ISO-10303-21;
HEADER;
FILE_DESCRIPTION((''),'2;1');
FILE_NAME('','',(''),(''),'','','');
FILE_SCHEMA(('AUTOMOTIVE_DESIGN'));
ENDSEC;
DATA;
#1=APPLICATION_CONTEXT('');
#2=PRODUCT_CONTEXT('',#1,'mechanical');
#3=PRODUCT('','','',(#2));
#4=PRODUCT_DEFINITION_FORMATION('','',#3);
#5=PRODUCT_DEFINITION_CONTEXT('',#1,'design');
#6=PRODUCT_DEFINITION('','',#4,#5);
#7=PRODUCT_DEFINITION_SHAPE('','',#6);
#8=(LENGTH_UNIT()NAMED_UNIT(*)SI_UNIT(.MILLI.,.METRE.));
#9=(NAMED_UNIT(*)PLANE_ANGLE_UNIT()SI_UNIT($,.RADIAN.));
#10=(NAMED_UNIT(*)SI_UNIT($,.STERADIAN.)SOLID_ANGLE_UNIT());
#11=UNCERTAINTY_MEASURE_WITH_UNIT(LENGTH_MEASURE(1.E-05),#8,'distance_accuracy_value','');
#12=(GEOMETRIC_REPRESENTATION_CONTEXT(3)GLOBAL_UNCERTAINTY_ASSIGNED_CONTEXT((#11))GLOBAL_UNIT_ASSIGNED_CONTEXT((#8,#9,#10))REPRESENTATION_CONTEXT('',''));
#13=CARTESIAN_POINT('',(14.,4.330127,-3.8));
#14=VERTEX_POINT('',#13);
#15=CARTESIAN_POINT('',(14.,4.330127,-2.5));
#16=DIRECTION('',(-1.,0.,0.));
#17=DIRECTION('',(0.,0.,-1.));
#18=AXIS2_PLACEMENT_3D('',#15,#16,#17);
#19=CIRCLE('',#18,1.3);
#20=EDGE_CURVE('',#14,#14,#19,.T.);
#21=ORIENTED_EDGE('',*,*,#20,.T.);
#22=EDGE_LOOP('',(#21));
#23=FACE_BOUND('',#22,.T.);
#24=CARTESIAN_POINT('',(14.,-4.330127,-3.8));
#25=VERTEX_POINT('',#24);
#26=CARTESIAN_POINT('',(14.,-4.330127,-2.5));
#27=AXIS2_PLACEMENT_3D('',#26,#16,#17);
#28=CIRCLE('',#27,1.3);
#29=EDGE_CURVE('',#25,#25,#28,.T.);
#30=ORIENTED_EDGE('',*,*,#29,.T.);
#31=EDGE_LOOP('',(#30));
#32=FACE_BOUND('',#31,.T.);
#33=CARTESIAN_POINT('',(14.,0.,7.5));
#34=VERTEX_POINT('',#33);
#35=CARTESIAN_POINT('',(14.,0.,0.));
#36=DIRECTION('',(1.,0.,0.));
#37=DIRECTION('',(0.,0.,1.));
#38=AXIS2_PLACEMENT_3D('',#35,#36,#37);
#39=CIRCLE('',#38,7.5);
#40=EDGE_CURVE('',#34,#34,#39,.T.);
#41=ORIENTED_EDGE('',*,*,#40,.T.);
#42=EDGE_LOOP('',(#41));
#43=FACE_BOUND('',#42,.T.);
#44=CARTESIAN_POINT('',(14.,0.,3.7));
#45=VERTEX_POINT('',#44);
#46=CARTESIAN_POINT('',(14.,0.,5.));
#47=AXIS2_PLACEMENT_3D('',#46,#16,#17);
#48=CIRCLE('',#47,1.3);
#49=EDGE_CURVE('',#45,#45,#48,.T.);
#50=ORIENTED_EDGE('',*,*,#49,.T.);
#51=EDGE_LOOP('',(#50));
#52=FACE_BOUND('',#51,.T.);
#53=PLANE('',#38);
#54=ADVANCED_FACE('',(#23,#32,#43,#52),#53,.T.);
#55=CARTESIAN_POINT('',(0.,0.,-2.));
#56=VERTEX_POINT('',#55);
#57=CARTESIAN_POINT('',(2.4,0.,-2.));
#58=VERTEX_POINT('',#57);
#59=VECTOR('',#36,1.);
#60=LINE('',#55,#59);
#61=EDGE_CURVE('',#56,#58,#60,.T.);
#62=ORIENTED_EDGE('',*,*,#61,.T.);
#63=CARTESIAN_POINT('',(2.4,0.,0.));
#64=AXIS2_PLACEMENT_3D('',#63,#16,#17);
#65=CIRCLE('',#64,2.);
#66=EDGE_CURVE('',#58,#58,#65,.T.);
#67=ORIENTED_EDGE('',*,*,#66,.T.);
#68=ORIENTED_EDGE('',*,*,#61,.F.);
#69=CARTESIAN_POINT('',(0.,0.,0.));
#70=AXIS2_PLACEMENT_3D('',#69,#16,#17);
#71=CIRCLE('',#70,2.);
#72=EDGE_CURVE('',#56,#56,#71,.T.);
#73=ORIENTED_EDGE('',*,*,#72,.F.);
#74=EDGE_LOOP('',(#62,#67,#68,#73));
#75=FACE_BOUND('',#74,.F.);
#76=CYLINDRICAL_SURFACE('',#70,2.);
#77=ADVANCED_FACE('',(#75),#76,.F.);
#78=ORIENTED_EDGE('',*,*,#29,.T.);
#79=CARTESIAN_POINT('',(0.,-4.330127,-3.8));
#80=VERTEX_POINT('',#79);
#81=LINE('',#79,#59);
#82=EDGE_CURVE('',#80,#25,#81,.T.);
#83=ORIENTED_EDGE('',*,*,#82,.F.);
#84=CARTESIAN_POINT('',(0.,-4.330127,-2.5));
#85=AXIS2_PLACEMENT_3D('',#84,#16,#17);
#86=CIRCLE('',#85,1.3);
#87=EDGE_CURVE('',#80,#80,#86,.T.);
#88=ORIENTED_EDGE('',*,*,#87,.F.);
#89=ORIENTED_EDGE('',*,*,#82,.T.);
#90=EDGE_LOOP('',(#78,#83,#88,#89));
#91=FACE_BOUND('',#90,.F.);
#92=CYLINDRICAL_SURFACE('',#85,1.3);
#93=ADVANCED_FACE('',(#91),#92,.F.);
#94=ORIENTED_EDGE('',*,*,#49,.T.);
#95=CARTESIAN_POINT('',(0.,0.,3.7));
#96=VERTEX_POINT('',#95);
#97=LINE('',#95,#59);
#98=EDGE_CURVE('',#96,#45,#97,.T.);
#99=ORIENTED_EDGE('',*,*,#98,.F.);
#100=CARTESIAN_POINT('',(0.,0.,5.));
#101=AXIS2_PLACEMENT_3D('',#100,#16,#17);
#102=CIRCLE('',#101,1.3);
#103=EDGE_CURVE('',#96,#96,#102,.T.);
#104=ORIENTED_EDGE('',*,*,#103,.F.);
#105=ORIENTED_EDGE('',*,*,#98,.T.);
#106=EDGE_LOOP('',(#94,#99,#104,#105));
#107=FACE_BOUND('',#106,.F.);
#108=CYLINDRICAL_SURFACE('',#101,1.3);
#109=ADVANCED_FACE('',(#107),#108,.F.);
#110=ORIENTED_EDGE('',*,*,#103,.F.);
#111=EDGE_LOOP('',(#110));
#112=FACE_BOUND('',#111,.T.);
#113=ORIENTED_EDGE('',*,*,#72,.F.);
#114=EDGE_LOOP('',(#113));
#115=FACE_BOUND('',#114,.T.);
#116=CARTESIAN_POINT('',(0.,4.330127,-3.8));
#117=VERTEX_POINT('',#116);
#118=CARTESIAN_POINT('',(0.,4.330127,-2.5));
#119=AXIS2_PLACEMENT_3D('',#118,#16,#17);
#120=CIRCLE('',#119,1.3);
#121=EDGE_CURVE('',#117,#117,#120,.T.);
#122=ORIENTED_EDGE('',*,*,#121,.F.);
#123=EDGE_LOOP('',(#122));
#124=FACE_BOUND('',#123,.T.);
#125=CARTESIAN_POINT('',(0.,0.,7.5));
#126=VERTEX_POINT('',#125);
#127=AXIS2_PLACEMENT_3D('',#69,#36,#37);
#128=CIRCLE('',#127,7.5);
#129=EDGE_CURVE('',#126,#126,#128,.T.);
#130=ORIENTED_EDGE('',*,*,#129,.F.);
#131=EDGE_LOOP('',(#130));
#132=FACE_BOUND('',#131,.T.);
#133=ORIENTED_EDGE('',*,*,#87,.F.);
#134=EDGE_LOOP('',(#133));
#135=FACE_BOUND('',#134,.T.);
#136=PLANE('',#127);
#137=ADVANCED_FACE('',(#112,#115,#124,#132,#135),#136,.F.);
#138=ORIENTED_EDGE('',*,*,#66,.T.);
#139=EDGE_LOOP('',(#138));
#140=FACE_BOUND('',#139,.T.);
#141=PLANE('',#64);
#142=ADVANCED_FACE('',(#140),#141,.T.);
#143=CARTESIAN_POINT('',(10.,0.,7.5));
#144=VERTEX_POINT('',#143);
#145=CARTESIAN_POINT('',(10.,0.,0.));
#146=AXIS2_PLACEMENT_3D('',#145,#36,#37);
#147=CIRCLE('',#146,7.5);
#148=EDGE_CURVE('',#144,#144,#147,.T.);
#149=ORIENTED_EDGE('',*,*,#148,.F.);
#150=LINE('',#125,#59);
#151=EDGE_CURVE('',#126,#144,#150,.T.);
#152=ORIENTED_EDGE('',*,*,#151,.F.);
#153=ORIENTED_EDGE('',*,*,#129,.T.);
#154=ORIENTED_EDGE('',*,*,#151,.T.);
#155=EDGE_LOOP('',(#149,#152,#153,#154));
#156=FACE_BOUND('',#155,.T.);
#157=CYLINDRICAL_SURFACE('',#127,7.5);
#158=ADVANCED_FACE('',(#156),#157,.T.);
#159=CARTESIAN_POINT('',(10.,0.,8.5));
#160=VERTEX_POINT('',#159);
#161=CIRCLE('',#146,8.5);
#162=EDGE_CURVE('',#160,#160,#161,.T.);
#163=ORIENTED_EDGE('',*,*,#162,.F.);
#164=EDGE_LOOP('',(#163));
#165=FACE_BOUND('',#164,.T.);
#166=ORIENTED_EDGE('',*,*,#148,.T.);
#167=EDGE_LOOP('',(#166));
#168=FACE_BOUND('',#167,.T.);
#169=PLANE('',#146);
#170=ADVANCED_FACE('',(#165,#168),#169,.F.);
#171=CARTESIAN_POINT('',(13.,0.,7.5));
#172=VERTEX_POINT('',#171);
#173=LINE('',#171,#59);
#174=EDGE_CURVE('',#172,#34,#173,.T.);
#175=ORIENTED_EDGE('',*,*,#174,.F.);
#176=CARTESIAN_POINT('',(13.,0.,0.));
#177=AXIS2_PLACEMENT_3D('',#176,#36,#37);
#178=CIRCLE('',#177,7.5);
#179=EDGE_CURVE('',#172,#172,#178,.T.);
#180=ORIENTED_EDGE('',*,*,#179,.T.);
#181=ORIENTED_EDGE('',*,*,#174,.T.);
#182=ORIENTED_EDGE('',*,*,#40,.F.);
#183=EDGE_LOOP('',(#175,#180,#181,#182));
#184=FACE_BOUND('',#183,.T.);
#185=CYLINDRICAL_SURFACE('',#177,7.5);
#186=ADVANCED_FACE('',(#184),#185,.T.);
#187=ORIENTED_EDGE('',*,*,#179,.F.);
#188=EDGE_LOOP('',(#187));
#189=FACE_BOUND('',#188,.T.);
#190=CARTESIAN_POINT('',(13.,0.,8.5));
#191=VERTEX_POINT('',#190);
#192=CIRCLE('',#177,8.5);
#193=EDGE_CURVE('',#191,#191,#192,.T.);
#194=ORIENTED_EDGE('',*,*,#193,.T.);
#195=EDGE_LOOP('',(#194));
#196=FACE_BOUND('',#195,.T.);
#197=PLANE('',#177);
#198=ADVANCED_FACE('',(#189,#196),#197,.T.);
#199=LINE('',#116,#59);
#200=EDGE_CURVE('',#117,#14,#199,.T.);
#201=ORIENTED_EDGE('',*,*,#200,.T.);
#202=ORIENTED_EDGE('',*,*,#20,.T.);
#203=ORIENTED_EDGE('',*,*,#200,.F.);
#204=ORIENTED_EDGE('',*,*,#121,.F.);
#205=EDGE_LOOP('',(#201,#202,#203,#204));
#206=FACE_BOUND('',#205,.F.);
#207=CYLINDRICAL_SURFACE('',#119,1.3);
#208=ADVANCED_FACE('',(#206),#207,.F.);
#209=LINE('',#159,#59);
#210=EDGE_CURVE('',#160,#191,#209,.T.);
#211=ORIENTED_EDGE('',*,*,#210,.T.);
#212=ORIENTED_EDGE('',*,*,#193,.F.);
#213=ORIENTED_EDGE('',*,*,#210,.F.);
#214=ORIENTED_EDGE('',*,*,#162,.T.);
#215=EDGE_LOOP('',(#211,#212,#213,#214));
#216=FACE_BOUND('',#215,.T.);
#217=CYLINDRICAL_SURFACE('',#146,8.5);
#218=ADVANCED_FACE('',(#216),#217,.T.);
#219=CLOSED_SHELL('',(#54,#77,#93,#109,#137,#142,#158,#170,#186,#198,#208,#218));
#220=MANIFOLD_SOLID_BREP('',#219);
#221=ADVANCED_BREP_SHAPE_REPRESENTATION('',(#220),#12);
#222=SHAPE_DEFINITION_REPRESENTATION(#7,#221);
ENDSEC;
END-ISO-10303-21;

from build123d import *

# Parameters (mm, degrees)
SKETCH102_R     = 1.3
POCKET010_DEPTH = 20
SKETCH103_R     = 2
POCKET011_DEPTH = 2.4


with BuildPart() as part:
    # Sketch101 → Revolution (revolve)
    with BuildSketch(Plane.XZ):
        Polygon((0, 0), (0, 7.5), (10, 7.5), (10, 8.5), (13, 8.5), (13, 7.5), (14, 7.5), (14, 0), align=None)
    revolve(axis=Axis((0, 0, 0), (1, 0, 0)))

    # Sketch102 (on DatumPlane) → Pocket010 (cut)
    with BuildSketch(Plane(origin=(0, 0, 0), x_dir=(0, 0, -1), z_dir=(-1, 0, 0))):
        with Locations((-5, 0)):
            Circle(SKETCH102_R)
        with Locations((2.5, -4.330127)):
            Circle(SKETCH102_R)
        with Locations((2.5, 4.330127)):
            Circle(SKETCH102_R)
    extrude(amount=-POCKET010_DEPTH, mode=Mode.SUBTRACT)

    # Sketch103 (on DatumPlane) → Pocket011 (cut)
    with BuildSketch(Plane(origin=(0, 0, 0), x_dir=(0, 0, -1), z_dir=(-1, 0, 0))):
        Circle(SKETCH103_R)
    extrude(amount=-POCKET011_DEPTH, mode=Mode.SUBTRACT)


solid = part.part
